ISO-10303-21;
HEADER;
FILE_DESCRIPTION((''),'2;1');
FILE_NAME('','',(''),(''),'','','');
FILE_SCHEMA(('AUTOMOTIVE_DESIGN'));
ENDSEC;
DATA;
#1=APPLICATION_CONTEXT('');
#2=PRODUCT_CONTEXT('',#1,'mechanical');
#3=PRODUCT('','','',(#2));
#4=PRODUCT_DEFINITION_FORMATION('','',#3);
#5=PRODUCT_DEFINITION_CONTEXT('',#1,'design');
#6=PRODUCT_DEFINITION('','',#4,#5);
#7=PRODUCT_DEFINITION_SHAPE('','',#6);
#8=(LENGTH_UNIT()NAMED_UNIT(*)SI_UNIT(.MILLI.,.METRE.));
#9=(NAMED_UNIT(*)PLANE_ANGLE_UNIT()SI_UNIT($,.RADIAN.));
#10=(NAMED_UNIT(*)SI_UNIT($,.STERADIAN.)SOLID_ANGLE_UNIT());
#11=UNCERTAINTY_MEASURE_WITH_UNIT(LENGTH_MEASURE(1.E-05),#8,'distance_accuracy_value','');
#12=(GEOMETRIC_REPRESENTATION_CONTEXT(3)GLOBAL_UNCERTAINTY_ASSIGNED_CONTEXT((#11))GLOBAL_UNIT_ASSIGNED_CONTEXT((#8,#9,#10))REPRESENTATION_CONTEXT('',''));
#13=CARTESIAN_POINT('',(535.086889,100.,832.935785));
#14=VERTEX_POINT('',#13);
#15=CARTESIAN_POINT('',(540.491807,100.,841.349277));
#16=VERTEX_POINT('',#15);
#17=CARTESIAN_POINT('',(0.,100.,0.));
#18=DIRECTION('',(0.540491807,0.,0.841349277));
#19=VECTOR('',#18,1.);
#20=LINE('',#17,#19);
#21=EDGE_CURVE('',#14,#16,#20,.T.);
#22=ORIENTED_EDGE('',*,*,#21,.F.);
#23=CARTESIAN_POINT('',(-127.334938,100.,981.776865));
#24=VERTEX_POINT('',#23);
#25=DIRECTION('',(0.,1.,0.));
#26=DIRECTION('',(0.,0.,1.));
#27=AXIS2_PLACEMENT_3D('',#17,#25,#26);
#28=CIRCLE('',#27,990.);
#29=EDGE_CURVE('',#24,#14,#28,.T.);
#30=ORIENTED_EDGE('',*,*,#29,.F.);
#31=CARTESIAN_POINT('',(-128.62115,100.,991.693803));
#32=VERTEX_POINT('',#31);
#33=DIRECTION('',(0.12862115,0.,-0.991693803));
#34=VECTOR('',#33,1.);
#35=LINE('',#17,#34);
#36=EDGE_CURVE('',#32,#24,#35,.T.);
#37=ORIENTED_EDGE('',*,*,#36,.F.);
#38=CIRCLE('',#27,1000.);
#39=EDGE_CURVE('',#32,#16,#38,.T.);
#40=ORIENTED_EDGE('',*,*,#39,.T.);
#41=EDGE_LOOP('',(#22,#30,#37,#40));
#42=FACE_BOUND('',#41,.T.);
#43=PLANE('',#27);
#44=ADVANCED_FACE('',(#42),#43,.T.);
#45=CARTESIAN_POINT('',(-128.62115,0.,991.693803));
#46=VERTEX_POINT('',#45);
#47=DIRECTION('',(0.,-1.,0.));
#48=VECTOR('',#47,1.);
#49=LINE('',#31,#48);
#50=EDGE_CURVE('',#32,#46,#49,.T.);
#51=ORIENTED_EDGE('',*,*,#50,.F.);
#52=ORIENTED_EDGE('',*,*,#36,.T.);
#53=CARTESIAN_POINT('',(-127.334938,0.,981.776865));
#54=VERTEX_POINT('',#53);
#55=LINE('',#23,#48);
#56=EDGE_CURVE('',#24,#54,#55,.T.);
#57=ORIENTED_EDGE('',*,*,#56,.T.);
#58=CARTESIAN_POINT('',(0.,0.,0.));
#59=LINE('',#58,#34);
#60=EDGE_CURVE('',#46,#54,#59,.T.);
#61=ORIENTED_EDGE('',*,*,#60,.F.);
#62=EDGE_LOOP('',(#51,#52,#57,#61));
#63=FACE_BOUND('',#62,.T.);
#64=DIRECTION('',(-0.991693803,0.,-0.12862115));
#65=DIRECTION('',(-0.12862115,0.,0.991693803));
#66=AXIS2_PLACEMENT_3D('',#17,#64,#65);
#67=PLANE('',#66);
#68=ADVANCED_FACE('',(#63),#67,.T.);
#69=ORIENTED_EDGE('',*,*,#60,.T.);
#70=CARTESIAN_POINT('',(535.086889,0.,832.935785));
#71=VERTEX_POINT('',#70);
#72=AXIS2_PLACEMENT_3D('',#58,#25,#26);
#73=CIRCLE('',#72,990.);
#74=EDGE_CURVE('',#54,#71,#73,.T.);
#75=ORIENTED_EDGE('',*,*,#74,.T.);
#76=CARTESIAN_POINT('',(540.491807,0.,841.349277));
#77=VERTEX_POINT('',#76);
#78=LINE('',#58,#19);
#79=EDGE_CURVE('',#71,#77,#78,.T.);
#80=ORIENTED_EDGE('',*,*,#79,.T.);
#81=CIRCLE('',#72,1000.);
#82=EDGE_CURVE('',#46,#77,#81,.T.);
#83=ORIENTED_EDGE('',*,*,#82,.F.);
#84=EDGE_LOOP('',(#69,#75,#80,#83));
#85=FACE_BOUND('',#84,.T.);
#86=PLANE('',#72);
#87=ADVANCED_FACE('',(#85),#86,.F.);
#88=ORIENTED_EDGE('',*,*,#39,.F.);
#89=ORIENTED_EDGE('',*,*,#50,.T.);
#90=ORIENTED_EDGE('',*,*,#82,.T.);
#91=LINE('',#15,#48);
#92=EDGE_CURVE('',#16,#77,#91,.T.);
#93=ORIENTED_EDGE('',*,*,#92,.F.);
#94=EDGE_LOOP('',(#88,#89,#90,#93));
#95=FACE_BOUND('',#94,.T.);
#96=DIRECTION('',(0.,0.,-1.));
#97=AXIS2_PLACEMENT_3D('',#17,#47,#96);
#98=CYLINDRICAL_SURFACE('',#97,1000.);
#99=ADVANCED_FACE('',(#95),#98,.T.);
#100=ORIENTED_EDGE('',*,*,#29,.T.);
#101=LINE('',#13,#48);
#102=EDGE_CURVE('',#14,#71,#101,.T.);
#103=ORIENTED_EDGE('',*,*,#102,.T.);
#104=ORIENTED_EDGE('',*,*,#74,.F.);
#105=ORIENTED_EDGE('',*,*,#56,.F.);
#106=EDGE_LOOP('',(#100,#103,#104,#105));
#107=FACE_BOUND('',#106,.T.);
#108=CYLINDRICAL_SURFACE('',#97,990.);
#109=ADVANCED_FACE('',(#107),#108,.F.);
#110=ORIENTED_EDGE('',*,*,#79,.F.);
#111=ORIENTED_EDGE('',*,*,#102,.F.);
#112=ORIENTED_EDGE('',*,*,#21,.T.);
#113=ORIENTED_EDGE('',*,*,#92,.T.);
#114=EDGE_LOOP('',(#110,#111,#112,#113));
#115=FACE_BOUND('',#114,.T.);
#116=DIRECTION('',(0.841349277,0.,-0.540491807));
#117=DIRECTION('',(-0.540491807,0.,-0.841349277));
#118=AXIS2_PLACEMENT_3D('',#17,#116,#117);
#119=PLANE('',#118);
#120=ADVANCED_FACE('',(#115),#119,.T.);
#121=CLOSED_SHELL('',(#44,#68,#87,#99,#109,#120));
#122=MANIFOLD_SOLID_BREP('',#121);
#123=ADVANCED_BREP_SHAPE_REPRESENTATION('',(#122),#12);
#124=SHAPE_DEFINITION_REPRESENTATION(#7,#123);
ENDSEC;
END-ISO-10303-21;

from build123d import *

# Parameters (mm, degrees)
BOSS_EXTRUDE8_DEPTH = 100


with BuildPart() as part:
    # Sketch1 → Boss-Extrude8 (new body)
    with BuildSketch(Plane(origin=(0, 0, 0), x_dir=(1, 0, 0), z_dir=(0, 1, 0))):
        with BuildLine():
            ThreePointArc((-127.334938089, -981.776865455), (217.034168342, -965.917268596), (535.086889081, -832.93578452))
            Line((535.086889081, -832.93578452), (540.491807153, -841.349277293))
            ThreePointArc((540.491807153, -841.349277293), (219.226432669, -975.674008683), (-128.621149584, -991.69380349))
            Line((-128.621149584, -991.69380349), (-127.334938089, -981.776865455))
        make_face()
    extrude(amount=BOSS_EXTRUDE8_DEPTH)


solid = part.part
